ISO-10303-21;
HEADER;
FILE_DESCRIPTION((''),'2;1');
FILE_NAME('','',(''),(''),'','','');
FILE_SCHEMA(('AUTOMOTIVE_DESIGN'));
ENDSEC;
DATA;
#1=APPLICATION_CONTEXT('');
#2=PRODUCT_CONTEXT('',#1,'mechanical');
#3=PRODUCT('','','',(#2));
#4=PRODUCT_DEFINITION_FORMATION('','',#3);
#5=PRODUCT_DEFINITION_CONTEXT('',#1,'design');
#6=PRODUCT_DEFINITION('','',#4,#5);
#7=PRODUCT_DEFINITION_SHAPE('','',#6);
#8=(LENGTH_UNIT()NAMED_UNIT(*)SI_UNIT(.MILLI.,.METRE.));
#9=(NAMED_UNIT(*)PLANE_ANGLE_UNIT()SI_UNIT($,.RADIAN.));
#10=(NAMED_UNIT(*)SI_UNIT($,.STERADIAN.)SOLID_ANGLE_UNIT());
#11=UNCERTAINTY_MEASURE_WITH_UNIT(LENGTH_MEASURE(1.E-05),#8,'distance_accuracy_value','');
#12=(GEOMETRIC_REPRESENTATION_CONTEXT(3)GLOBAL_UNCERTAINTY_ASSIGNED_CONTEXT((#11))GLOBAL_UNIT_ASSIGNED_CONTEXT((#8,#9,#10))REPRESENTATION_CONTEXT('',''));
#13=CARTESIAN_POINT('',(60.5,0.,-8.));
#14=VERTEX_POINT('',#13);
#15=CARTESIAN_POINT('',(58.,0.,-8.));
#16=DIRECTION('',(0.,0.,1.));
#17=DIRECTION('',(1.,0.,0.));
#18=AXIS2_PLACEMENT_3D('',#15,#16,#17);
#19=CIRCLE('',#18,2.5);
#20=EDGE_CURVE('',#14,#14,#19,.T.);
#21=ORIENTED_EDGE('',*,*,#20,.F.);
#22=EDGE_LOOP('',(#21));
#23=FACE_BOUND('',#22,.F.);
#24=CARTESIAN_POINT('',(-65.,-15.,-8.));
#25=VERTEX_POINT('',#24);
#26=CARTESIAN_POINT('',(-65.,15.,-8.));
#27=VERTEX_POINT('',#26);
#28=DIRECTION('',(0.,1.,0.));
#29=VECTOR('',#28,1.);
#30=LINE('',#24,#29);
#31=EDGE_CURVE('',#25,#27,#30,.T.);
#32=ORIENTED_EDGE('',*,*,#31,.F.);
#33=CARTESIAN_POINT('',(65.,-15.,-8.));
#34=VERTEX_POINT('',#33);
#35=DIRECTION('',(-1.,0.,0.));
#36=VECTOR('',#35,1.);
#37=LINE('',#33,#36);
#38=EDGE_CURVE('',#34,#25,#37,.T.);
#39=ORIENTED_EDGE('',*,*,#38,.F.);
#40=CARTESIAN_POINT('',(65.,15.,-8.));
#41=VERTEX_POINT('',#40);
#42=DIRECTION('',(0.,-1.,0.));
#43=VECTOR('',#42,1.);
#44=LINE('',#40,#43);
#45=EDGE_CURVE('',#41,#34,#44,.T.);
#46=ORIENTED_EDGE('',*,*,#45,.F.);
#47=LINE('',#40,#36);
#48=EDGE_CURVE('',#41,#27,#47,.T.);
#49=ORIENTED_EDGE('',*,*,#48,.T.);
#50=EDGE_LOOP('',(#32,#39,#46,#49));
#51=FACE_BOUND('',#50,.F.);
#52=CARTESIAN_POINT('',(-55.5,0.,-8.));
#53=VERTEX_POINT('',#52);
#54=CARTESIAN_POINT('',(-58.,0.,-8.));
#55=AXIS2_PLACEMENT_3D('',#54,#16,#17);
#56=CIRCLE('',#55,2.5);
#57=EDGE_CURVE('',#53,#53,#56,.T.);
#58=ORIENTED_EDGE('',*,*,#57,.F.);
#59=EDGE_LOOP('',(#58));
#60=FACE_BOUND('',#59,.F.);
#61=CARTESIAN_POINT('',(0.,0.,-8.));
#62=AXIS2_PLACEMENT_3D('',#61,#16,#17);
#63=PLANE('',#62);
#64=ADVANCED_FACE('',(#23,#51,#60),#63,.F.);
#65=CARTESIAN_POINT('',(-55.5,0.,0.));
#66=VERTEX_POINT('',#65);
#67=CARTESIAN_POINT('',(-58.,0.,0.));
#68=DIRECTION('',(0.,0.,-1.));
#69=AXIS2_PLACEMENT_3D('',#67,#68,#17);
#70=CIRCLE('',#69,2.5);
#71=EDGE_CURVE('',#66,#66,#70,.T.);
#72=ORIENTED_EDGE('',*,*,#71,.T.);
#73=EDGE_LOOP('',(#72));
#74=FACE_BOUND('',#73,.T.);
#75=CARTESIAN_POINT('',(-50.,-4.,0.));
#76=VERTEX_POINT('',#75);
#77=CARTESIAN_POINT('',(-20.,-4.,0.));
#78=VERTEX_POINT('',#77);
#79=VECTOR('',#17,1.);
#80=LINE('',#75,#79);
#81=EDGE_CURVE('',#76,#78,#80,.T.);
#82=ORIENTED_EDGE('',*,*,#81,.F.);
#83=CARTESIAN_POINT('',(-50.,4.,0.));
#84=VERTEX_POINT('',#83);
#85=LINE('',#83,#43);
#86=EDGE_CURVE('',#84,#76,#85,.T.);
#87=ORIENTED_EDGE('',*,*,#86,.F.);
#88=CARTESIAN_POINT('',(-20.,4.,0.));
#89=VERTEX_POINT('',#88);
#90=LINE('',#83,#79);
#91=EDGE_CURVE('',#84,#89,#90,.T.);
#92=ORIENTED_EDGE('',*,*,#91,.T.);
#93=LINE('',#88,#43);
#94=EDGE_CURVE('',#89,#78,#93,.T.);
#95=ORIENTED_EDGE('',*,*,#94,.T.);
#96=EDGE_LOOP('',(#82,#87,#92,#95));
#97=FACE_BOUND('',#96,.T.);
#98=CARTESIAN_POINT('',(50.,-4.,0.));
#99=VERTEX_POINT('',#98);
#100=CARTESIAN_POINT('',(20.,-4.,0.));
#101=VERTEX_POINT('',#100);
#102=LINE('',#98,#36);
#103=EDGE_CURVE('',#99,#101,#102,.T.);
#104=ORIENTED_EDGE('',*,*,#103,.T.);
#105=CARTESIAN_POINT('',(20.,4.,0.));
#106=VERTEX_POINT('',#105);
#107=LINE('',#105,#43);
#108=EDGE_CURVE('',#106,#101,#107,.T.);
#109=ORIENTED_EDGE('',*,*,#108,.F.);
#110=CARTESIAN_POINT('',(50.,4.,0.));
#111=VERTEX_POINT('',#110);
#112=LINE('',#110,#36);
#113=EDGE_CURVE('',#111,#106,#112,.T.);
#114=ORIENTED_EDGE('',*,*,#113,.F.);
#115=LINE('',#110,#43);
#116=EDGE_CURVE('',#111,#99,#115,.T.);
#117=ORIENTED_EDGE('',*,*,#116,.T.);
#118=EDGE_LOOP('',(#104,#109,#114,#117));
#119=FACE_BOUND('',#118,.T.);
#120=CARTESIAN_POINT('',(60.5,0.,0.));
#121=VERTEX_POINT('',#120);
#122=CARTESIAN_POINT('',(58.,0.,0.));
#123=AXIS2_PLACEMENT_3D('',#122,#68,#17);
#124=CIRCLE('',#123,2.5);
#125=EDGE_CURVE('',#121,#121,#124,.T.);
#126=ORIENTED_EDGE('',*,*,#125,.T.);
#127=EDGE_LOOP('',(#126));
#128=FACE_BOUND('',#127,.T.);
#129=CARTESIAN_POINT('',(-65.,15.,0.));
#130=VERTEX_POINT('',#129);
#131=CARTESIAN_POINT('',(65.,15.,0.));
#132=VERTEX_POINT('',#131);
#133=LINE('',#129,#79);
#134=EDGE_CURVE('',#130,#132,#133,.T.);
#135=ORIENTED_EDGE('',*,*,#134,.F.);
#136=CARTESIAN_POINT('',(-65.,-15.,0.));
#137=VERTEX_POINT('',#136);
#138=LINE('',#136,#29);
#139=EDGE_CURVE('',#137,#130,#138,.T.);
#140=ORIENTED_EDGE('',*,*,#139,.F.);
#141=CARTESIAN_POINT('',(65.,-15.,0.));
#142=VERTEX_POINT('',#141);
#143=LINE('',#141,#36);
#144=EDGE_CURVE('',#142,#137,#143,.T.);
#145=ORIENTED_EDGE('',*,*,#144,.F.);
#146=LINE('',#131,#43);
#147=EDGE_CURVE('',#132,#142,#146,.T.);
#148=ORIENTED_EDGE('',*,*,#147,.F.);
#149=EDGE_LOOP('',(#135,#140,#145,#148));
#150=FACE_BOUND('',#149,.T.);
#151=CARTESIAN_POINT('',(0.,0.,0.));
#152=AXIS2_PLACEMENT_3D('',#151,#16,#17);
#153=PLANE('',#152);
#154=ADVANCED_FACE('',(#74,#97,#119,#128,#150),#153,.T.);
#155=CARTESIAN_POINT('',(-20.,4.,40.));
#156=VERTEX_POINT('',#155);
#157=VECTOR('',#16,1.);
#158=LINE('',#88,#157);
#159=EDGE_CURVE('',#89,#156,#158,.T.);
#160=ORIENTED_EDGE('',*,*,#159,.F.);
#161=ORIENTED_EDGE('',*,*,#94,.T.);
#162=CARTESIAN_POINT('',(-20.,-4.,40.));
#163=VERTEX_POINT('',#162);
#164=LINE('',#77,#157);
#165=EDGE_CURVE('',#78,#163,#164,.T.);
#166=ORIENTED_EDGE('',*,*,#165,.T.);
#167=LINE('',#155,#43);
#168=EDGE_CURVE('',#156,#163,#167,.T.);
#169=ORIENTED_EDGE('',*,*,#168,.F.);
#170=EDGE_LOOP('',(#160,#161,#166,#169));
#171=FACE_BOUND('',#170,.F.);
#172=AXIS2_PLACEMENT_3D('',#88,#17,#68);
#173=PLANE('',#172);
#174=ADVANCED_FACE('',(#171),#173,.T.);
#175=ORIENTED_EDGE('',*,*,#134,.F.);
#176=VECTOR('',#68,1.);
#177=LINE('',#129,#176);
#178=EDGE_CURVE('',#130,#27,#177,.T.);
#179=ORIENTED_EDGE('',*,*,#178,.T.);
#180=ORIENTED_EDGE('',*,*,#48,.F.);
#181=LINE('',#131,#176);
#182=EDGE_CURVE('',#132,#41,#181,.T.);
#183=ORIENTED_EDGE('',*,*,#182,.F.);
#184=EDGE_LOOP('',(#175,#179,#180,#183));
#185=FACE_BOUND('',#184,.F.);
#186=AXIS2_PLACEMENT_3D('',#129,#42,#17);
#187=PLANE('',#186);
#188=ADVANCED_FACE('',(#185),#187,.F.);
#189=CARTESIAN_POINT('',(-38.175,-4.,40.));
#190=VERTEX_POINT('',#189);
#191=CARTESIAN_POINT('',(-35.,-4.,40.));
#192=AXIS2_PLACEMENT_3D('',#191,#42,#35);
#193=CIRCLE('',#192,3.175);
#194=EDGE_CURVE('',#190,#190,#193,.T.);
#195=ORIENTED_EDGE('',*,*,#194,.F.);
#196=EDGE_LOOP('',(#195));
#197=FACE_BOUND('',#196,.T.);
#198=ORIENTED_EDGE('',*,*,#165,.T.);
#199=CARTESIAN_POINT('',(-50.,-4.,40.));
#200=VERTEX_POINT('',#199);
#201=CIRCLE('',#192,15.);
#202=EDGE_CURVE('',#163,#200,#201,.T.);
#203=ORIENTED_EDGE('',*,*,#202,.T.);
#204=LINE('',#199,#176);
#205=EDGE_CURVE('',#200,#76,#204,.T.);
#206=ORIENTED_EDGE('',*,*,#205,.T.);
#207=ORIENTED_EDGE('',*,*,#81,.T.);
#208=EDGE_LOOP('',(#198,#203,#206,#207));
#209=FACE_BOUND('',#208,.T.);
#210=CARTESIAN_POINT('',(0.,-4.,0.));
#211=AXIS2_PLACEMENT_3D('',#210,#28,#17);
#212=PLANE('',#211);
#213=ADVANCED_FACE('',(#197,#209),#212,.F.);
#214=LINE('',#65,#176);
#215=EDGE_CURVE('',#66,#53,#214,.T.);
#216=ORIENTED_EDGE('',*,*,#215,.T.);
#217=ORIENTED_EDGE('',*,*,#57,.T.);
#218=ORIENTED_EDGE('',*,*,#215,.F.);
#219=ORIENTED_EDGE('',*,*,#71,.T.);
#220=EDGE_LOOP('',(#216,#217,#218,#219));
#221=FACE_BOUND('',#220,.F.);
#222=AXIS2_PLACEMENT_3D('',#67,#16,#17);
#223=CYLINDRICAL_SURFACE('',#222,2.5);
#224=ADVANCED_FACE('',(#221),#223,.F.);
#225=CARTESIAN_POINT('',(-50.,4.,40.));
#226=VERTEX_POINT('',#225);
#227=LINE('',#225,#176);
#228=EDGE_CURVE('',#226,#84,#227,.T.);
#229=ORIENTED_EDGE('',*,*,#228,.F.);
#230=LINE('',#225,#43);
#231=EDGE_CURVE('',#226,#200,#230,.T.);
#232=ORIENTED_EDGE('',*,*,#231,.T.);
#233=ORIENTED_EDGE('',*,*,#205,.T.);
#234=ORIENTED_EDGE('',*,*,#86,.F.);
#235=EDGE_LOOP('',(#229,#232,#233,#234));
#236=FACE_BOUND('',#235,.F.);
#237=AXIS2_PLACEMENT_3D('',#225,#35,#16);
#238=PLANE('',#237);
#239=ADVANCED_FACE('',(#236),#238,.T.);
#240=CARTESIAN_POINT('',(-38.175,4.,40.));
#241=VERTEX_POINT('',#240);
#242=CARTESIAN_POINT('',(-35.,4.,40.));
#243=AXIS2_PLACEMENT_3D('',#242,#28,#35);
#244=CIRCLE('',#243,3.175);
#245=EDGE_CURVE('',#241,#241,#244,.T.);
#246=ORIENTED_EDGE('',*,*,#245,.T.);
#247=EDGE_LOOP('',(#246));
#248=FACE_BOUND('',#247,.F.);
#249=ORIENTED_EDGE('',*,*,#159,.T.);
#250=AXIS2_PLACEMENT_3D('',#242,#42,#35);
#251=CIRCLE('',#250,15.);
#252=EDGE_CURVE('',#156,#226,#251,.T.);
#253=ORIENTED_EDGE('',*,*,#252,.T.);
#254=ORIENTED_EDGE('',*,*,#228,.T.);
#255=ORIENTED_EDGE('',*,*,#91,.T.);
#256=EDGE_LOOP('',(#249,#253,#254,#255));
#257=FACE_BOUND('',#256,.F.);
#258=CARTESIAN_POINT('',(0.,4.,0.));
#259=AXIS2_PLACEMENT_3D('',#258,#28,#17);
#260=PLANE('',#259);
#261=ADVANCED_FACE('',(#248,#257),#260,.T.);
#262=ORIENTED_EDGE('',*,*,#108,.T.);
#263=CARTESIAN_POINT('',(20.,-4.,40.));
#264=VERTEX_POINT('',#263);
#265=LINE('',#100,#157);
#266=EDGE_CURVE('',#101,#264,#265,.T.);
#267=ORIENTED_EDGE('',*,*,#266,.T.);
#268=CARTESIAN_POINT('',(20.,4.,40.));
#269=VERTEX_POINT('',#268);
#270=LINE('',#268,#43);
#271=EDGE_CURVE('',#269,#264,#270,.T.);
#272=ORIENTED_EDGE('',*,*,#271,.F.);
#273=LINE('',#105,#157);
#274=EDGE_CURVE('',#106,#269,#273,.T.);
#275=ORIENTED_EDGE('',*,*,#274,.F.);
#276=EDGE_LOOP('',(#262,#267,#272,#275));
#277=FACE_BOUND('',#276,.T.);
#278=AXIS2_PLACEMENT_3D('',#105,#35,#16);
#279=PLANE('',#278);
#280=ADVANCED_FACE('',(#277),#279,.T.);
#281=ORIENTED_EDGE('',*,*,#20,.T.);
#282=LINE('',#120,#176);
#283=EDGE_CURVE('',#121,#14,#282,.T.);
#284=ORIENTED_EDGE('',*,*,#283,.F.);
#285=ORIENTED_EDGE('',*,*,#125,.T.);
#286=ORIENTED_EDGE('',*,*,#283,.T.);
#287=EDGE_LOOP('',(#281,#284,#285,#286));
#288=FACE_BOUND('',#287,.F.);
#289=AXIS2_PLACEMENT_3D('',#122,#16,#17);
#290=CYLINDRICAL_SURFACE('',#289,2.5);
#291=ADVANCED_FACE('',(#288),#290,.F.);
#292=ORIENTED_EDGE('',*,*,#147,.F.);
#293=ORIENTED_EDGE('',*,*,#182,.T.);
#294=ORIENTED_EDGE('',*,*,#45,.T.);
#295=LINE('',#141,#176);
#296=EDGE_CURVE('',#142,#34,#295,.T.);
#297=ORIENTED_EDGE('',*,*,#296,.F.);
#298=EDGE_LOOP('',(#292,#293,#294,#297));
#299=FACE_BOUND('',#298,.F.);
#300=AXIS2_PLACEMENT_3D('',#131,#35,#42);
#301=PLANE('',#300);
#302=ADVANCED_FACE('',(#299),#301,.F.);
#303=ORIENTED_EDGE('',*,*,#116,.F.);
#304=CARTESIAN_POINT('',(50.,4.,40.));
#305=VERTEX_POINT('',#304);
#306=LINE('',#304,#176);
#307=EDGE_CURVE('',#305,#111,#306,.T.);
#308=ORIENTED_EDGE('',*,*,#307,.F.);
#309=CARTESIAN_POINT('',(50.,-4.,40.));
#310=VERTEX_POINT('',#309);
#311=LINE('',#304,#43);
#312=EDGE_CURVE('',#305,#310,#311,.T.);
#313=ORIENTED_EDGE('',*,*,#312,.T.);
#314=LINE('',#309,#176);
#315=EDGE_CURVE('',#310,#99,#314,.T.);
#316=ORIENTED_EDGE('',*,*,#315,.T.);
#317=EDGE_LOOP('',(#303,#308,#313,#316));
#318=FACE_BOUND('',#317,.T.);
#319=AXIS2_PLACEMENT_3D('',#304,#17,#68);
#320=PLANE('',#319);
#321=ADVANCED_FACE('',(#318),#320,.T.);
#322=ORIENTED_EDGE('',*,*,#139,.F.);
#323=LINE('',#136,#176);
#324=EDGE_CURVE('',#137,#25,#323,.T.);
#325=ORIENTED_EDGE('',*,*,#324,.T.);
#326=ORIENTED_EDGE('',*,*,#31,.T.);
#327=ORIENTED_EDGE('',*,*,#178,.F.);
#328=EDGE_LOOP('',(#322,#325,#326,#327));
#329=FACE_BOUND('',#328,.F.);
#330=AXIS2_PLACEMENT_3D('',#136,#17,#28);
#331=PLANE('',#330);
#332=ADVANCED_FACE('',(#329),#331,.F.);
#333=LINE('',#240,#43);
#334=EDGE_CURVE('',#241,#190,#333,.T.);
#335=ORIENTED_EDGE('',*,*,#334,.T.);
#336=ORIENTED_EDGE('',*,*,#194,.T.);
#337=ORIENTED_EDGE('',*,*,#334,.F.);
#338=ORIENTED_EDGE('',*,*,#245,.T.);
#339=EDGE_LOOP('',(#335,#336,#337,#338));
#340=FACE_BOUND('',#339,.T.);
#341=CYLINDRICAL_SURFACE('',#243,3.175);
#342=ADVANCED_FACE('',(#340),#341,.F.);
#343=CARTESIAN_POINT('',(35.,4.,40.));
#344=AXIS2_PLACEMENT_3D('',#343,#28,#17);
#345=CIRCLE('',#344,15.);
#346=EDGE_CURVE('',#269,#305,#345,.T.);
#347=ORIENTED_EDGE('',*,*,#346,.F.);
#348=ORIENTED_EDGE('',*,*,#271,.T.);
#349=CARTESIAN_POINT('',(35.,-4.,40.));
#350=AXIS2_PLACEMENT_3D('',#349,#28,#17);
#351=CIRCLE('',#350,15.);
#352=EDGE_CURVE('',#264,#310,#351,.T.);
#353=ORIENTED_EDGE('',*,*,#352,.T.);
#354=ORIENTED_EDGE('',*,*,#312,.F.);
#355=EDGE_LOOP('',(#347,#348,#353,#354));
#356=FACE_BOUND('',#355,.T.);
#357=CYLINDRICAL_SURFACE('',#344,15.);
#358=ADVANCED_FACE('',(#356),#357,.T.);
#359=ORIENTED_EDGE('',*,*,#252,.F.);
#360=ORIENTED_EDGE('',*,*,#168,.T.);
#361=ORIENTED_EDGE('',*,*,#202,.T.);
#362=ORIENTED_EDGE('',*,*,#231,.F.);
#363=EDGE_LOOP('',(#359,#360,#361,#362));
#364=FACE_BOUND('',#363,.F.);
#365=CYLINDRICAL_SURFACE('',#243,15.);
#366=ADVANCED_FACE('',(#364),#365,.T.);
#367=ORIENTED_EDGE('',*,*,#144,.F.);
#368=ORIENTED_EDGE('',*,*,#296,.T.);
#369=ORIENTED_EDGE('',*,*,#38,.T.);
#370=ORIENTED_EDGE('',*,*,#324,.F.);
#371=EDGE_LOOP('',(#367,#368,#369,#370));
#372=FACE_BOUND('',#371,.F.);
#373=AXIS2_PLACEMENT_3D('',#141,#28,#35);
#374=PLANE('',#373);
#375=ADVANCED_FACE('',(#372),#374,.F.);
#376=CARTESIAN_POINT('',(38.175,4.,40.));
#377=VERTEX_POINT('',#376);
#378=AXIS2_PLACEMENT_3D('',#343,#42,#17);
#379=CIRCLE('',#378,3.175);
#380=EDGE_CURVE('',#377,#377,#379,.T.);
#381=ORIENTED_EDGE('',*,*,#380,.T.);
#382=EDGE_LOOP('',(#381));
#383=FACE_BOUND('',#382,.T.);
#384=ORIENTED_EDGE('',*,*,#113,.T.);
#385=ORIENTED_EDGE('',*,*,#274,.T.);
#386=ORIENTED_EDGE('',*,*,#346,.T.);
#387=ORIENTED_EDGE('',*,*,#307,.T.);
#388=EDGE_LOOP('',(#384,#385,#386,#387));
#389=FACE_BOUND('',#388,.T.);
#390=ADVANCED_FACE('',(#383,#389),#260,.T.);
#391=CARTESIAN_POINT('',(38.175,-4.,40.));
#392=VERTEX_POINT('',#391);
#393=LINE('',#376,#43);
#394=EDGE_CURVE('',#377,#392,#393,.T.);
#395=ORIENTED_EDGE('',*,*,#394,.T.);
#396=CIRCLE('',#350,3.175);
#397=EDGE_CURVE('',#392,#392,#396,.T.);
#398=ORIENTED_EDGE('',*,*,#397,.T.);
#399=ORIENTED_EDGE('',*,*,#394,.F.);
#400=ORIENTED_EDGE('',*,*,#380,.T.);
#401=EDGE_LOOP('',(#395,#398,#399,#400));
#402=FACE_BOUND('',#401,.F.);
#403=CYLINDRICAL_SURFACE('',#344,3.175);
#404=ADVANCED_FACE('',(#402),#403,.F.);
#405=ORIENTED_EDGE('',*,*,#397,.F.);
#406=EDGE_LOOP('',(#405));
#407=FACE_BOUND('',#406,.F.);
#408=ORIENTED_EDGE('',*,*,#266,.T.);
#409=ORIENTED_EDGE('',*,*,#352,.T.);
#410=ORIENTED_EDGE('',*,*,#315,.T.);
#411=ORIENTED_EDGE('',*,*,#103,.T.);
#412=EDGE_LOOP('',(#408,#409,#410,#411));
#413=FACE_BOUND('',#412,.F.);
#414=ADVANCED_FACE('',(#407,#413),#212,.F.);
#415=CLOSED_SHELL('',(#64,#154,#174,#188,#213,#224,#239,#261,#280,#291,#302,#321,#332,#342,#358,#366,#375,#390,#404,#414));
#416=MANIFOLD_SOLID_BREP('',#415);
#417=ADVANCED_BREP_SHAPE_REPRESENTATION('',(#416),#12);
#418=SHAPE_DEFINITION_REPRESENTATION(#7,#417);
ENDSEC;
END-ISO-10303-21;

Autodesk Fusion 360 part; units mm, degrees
sketch "草图1" plane through (0, 0, 0) normal (0, 0, 1) x (1, 0, 0)
  line L0 (-65, 15) -> (65, 15)
  line L1 (65, 15) -> (65, -15)
  line L2 (65, -15) -> (-65, -15)
  line L3 (-65, -15) -> (-65, 15)
  line L4 (1.75, 0) -> (22.5, 0)
  line L5 (0, 1.75) -> (0, 22.5)
  circle A0 centre (58, 0) radius 2.5
  circle A1 centre (-58, 0) radius 2.5
  dimension "d1" = 130
  dimension "d2" = 30
  dimension "d16" = 5
  dimension "d17" = 58
  dimension "d18" = 5
extrude "拉伸1" add sketch "草图1" against normal blind 8
ref_plane "工作平面1" through (0, 4, 0) normal (0, 1, 0) x (0, 0, 1)
sketch "草图2" plane through (0, 4, 0) normal (0, 1, 0) x (1, 0, 0)
  line L0 (50, 0) -> (20, 0)
  line L1 (20, 0) -> (20, -40)
  line L2 (20, -40) -> (50, -40)
  line L3 (50, -40) -> (50, 0)
  circle A0 centre (35, -40) radius 15
  circle A1 centre (35, -40) radius 3.175
  dimension "d6" = 30
  dimension "d7" = 40
  dimension "d8" = 20
  dimension "d9" = 6.35
  dimension "d14" = 35
  dimension "d15" = 35
extrude "拉伸2" add sketch "草图2" against normal blind 8 contours L0 L1 L3 A0 | L2 A0 A1 | L2 A0 A1
mirror "镜像1" about plane through (0, 0, 0) normal (1, 0, 0) of bodies 1 merged
equation "d18 = d16"
